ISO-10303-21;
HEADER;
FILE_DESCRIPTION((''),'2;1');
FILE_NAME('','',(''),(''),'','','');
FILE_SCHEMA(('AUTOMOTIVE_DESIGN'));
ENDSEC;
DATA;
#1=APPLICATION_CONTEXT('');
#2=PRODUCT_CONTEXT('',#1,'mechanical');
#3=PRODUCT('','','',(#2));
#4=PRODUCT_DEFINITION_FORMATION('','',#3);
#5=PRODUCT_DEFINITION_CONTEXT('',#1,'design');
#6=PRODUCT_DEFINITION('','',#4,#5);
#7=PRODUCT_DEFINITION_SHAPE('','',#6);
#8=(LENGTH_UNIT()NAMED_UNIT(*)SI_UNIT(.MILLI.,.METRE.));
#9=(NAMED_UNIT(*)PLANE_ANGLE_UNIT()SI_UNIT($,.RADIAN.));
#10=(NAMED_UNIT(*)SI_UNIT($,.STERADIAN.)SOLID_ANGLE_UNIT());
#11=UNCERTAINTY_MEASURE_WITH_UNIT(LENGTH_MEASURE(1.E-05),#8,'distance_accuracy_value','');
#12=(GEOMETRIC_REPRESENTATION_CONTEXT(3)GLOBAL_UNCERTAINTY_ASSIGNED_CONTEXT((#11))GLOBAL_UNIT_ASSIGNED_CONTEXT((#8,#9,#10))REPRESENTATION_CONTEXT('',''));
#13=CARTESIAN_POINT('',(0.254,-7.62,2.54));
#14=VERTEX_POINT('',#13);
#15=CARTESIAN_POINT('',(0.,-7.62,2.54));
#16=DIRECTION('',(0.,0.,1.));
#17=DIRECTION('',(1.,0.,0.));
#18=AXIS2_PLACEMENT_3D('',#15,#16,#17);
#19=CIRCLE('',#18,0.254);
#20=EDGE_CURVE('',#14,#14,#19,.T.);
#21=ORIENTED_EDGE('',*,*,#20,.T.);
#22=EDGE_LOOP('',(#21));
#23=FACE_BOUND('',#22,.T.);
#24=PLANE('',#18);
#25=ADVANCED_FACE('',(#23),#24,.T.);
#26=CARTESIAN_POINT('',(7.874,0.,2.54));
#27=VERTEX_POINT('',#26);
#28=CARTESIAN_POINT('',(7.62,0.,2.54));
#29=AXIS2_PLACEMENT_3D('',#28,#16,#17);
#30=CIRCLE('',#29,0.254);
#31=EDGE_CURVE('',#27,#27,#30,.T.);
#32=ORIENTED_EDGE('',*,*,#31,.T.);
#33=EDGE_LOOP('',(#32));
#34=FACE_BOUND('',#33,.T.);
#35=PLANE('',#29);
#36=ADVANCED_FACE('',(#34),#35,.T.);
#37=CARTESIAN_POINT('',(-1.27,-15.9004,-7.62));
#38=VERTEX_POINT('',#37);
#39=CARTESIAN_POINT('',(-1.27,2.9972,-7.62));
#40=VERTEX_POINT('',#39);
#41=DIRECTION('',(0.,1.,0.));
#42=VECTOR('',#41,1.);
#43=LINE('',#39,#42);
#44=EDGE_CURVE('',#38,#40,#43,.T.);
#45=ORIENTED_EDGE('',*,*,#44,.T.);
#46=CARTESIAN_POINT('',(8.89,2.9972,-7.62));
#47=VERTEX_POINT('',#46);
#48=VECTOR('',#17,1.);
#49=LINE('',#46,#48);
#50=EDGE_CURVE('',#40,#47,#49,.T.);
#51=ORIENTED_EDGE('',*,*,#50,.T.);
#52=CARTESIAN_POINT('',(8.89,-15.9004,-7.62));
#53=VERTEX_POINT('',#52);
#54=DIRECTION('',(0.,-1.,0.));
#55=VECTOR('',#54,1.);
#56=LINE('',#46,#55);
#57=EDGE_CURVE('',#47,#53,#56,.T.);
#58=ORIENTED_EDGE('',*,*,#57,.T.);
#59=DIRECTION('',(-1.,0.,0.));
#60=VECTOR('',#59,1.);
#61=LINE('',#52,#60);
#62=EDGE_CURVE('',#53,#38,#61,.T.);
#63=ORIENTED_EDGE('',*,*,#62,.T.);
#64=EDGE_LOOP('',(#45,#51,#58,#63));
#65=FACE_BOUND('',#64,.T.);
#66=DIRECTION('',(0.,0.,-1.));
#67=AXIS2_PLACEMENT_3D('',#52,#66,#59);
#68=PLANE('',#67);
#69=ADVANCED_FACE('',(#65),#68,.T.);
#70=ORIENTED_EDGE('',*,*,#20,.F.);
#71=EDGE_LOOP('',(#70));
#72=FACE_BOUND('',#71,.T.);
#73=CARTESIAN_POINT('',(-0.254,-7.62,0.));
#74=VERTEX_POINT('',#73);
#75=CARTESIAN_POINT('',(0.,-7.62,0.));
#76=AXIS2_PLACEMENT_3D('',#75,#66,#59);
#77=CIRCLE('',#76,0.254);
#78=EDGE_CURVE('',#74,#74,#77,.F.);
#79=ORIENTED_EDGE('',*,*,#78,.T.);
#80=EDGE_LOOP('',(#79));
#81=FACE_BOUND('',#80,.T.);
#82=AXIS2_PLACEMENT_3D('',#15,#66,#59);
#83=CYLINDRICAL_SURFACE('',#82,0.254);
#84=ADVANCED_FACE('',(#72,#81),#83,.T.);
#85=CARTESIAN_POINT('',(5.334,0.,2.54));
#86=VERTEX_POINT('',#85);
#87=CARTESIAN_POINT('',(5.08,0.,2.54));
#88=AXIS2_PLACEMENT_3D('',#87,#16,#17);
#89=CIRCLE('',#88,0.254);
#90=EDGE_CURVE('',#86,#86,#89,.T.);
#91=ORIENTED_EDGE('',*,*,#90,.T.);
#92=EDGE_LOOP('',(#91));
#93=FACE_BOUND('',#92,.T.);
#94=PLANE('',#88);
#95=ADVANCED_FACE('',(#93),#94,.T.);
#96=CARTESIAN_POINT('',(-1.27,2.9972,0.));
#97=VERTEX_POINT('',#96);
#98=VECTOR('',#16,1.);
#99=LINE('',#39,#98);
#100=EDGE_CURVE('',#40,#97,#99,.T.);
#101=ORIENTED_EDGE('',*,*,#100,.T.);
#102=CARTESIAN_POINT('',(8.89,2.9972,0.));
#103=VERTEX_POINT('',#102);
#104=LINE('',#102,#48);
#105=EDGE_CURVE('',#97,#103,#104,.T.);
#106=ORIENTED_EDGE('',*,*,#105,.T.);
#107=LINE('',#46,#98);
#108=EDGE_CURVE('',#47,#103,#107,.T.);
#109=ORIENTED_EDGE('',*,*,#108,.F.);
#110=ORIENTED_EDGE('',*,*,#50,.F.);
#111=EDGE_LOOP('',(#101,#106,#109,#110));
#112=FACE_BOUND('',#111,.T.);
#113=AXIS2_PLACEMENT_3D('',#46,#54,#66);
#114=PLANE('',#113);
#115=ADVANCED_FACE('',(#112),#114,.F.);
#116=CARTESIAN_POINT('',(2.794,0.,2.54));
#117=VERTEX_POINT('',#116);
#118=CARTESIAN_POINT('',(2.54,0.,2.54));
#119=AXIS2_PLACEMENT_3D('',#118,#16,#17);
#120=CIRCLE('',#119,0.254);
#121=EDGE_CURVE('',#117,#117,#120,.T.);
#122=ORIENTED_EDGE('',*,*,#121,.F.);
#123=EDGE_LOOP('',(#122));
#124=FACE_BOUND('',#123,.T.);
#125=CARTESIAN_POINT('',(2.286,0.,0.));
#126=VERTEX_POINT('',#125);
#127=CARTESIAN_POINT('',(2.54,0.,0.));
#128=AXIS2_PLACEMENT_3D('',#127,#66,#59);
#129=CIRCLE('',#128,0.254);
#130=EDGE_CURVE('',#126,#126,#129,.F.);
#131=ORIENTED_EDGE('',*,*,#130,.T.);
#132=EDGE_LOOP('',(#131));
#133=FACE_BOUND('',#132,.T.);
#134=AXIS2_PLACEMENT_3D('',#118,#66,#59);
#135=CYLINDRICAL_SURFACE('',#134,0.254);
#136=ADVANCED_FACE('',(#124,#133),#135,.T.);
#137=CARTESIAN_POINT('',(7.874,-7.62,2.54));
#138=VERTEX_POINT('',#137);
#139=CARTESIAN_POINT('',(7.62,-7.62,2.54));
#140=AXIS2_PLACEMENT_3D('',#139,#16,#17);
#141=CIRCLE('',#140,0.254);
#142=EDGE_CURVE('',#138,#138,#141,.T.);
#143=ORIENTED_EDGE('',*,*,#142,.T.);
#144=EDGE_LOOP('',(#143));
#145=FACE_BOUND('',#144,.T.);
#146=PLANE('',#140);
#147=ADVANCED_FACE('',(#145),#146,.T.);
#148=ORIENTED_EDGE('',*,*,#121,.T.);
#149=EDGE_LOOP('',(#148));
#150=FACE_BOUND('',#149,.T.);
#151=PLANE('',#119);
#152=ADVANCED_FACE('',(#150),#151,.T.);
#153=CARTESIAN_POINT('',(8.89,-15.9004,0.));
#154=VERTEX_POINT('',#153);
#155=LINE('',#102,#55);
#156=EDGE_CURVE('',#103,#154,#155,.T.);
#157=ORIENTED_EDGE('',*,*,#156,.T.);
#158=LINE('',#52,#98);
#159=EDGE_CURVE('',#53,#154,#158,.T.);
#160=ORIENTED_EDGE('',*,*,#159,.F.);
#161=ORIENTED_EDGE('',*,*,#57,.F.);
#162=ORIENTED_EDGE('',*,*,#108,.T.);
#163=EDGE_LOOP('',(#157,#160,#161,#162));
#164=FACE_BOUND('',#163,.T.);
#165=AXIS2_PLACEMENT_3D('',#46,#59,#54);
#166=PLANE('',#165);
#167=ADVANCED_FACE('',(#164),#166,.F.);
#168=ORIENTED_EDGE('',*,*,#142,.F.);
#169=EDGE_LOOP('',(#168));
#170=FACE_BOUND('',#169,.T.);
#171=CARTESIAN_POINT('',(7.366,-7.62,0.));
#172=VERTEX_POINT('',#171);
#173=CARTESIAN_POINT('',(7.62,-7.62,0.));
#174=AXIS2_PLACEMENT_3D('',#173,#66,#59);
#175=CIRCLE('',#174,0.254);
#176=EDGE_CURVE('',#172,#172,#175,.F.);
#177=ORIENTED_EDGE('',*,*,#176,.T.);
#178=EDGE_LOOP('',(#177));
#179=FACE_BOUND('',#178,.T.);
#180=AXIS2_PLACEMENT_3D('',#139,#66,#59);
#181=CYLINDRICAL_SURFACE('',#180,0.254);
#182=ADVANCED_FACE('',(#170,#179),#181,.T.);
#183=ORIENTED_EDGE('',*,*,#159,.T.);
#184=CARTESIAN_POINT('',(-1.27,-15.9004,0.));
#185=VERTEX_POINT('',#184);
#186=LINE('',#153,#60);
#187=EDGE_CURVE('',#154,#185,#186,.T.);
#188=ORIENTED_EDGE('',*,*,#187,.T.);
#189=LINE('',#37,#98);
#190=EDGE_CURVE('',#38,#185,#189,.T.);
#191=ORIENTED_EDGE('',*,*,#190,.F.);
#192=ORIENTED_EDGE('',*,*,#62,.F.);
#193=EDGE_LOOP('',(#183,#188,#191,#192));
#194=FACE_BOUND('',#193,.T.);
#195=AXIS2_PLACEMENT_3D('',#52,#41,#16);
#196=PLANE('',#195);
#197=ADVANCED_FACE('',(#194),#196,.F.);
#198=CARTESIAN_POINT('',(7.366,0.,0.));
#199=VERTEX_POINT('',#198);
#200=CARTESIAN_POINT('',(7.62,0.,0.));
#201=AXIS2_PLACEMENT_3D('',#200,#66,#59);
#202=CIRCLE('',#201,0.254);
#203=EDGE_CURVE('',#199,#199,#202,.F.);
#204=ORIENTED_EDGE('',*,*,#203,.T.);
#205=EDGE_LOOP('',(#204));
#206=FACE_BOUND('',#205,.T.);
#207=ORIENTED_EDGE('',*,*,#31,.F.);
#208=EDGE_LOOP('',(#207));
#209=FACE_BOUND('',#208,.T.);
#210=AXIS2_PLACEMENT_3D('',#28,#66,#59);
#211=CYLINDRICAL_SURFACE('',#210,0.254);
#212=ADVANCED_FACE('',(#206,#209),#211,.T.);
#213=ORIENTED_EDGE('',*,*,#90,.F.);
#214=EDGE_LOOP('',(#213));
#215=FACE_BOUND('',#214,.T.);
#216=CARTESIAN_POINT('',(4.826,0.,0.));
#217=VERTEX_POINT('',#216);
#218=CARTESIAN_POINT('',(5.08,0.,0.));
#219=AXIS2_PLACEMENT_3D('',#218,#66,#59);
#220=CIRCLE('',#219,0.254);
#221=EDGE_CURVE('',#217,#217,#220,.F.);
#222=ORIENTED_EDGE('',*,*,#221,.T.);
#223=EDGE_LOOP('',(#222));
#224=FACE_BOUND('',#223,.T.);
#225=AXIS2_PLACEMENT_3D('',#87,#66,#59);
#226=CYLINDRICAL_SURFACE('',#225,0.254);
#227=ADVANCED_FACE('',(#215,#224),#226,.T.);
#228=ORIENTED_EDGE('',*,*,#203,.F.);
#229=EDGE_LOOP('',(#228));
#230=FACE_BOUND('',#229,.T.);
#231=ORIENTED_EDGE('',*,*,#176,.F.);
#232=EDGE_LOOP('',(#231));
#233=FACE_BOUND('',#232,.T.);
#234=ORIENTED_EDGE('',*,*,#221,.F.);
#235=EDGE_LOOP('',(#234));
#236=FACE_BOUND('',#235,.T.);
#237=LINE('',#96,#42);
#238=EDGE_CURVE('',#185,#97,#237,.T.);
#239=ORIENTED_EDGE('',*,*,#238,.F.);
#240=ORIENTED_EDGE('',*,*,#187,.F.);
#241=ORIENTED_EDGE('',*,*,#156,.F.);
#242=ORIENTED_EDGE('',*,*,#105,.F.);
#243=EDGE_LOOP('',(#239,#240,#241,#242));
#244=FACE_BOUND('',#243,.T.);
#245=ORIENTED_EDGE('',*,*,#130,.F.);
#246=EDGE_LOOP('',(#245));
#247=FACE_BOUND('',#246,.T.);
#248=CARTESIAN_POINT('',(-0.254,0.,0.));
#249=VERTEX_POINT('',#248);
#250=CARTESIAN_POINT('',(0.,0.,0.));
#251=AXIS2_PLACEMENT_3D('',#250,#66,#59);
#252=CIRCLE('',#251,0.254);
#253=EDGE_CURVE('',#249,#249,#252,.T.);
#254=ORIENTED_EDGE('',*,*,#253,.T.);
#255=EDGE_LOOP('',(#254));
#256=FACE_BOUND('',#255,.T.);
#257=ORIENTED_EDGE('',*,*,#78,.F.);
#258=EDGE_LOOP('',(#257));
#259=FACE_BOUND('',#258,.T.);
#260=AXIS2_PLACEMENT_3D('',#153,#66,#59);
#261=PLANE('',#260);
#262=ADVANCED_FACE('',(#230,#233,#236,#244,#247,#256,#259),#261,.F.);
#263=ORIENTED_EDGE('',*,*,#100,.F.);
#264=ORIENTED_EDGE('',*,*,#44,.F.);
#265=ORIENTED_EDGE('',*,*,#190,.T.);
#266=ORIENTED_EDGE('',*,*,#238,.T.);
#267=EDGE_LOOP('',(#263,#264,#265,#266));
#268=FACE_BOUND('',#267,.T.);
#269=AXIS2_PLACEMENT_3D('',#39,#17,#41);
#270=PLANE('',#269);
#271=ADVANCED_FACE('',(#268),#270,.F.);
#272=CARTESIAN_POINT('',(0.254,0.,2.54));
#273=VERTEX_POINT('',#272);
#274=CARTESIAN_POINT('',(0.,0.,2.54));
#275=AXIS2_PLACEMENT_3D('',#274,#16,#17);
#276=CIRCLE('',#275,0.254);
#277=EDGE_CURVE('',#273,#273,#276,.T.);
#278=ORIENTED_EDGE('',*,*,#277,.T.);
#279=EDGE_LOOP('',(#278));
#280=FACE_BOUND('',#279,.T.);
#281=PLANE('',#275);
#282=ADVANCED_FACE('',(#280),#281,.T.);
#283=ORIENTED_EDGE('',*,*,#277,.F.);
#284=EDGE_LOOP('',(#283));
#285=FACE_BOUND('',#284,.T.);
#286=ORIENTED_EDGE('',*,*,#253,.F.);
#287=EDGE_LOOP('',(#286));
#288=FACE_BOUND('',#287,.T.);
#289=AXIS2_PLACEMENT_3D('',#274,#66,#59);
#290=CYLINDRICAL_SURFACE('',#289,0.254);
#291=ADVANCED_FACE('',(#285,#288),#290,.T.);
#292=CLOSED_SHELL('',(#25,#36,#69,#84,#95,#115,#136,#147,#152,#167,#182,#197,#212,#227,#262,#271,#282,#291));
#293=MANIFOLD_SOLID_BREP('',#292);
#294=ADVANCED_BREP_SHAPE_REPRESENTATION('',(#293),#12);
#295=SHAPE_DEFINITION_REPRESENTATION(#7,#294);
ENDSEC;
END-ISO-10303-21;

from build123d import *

# Parameters (mm, degrees)
SKETCH1_R        = 0.254
EXTRUDE1_DEPTH   = 2.54
EXTRUDE1_2_DEPTH = 2.54
EXTRUDE1_3_DEPTH = 2.54
EXTRUDE1_4_DEPTH = 2.54
EXTRUDE1_5_DEPTH = 2.54
EXTRUDE1_6_DEPTH = 2.54
SKETCH2_W        = 10.16
SKETCH2_H        = 18.8976
EXTRUDE2_DEPTH   = 7.62


with BuildPart() as part:
    # Sketch1 → Extrude1 (new body)
    with BuildSketch(Plane.XY):
        Circle(SKETCH1_R)
    extrude(amount=EXTRUDE1_DEPTH)



with BuildPart() as body_2:
    # Sketch1 → Extrude1 2 (new body)
    with BuildSketch(Plane.XY):
        with Locations((2.54, 0)):
            Circle(SKETCH1_R)
    extrude(amount=EXTRUDE1_2_DEPTH)


with BuildPart() as body_3:
    # Sketch1 → Extrude1 3 (new body)
    with BuildSketch(Plane.XY):
        with Locations((5.08, 0)):
            Circle(SKETCH1_R)
    extrude(amount=EXTRUDE1_3_DEPTH)


with BuildPart() as body_4:
    # Sketch1 → Extrude1 4 (new body)
    with BuildSketch(Plane.XY):
        with Locations((7.62, 0)):
            Circle(SKETCH1_R)
    extrude(amount=EXTRUDE1_4_DEPTH)


with BuildPart() as body_5:
    # Sketch1 → Extrude1 5 (new body)
    with BuildSketch(Plane.XY):
        with Locations((0, -7.62)):
            Circle(SKETCH1_R)
    extrude(amount=EXTRUDE1_5_DEPTH)


with BuildPart() as body_6:
    # Sketch1 → Extrude1 6 (new body)
    with BuildSketch(Plane.XY):
        with Locations((7.62, -7.62)):
            Circle(SKETCH1_R)
    extrude(amount=EXTRUDE1_6_DEPTH)


with BuildPart() as part_1:
    add(part.part)

    add(body_2.part)  # Extrude2 merges body 2

    add(body_3.part)  # Extrude2 merges body 3

    add(body_4.part)  # Extrude2 merges body 4

    add(body_5.part)  # Extrude2 merges body 5

    add(body_6.part)  # Extrude2 merges body 6
    # Sketch2 → Extrude2 (add)
    with BuildSketch(Plane(origin=(0, 0, 0), x_dir=(-1, 0, 0), z_dir=(0, 0, -1))):
        with Locations((-3.81, -6.4516)):
            Rectangle(SKETCH2_W, SKETCH2_H)
    extrude(amount=EXTRUDE2_DEPTH)


solid = part_1.part
